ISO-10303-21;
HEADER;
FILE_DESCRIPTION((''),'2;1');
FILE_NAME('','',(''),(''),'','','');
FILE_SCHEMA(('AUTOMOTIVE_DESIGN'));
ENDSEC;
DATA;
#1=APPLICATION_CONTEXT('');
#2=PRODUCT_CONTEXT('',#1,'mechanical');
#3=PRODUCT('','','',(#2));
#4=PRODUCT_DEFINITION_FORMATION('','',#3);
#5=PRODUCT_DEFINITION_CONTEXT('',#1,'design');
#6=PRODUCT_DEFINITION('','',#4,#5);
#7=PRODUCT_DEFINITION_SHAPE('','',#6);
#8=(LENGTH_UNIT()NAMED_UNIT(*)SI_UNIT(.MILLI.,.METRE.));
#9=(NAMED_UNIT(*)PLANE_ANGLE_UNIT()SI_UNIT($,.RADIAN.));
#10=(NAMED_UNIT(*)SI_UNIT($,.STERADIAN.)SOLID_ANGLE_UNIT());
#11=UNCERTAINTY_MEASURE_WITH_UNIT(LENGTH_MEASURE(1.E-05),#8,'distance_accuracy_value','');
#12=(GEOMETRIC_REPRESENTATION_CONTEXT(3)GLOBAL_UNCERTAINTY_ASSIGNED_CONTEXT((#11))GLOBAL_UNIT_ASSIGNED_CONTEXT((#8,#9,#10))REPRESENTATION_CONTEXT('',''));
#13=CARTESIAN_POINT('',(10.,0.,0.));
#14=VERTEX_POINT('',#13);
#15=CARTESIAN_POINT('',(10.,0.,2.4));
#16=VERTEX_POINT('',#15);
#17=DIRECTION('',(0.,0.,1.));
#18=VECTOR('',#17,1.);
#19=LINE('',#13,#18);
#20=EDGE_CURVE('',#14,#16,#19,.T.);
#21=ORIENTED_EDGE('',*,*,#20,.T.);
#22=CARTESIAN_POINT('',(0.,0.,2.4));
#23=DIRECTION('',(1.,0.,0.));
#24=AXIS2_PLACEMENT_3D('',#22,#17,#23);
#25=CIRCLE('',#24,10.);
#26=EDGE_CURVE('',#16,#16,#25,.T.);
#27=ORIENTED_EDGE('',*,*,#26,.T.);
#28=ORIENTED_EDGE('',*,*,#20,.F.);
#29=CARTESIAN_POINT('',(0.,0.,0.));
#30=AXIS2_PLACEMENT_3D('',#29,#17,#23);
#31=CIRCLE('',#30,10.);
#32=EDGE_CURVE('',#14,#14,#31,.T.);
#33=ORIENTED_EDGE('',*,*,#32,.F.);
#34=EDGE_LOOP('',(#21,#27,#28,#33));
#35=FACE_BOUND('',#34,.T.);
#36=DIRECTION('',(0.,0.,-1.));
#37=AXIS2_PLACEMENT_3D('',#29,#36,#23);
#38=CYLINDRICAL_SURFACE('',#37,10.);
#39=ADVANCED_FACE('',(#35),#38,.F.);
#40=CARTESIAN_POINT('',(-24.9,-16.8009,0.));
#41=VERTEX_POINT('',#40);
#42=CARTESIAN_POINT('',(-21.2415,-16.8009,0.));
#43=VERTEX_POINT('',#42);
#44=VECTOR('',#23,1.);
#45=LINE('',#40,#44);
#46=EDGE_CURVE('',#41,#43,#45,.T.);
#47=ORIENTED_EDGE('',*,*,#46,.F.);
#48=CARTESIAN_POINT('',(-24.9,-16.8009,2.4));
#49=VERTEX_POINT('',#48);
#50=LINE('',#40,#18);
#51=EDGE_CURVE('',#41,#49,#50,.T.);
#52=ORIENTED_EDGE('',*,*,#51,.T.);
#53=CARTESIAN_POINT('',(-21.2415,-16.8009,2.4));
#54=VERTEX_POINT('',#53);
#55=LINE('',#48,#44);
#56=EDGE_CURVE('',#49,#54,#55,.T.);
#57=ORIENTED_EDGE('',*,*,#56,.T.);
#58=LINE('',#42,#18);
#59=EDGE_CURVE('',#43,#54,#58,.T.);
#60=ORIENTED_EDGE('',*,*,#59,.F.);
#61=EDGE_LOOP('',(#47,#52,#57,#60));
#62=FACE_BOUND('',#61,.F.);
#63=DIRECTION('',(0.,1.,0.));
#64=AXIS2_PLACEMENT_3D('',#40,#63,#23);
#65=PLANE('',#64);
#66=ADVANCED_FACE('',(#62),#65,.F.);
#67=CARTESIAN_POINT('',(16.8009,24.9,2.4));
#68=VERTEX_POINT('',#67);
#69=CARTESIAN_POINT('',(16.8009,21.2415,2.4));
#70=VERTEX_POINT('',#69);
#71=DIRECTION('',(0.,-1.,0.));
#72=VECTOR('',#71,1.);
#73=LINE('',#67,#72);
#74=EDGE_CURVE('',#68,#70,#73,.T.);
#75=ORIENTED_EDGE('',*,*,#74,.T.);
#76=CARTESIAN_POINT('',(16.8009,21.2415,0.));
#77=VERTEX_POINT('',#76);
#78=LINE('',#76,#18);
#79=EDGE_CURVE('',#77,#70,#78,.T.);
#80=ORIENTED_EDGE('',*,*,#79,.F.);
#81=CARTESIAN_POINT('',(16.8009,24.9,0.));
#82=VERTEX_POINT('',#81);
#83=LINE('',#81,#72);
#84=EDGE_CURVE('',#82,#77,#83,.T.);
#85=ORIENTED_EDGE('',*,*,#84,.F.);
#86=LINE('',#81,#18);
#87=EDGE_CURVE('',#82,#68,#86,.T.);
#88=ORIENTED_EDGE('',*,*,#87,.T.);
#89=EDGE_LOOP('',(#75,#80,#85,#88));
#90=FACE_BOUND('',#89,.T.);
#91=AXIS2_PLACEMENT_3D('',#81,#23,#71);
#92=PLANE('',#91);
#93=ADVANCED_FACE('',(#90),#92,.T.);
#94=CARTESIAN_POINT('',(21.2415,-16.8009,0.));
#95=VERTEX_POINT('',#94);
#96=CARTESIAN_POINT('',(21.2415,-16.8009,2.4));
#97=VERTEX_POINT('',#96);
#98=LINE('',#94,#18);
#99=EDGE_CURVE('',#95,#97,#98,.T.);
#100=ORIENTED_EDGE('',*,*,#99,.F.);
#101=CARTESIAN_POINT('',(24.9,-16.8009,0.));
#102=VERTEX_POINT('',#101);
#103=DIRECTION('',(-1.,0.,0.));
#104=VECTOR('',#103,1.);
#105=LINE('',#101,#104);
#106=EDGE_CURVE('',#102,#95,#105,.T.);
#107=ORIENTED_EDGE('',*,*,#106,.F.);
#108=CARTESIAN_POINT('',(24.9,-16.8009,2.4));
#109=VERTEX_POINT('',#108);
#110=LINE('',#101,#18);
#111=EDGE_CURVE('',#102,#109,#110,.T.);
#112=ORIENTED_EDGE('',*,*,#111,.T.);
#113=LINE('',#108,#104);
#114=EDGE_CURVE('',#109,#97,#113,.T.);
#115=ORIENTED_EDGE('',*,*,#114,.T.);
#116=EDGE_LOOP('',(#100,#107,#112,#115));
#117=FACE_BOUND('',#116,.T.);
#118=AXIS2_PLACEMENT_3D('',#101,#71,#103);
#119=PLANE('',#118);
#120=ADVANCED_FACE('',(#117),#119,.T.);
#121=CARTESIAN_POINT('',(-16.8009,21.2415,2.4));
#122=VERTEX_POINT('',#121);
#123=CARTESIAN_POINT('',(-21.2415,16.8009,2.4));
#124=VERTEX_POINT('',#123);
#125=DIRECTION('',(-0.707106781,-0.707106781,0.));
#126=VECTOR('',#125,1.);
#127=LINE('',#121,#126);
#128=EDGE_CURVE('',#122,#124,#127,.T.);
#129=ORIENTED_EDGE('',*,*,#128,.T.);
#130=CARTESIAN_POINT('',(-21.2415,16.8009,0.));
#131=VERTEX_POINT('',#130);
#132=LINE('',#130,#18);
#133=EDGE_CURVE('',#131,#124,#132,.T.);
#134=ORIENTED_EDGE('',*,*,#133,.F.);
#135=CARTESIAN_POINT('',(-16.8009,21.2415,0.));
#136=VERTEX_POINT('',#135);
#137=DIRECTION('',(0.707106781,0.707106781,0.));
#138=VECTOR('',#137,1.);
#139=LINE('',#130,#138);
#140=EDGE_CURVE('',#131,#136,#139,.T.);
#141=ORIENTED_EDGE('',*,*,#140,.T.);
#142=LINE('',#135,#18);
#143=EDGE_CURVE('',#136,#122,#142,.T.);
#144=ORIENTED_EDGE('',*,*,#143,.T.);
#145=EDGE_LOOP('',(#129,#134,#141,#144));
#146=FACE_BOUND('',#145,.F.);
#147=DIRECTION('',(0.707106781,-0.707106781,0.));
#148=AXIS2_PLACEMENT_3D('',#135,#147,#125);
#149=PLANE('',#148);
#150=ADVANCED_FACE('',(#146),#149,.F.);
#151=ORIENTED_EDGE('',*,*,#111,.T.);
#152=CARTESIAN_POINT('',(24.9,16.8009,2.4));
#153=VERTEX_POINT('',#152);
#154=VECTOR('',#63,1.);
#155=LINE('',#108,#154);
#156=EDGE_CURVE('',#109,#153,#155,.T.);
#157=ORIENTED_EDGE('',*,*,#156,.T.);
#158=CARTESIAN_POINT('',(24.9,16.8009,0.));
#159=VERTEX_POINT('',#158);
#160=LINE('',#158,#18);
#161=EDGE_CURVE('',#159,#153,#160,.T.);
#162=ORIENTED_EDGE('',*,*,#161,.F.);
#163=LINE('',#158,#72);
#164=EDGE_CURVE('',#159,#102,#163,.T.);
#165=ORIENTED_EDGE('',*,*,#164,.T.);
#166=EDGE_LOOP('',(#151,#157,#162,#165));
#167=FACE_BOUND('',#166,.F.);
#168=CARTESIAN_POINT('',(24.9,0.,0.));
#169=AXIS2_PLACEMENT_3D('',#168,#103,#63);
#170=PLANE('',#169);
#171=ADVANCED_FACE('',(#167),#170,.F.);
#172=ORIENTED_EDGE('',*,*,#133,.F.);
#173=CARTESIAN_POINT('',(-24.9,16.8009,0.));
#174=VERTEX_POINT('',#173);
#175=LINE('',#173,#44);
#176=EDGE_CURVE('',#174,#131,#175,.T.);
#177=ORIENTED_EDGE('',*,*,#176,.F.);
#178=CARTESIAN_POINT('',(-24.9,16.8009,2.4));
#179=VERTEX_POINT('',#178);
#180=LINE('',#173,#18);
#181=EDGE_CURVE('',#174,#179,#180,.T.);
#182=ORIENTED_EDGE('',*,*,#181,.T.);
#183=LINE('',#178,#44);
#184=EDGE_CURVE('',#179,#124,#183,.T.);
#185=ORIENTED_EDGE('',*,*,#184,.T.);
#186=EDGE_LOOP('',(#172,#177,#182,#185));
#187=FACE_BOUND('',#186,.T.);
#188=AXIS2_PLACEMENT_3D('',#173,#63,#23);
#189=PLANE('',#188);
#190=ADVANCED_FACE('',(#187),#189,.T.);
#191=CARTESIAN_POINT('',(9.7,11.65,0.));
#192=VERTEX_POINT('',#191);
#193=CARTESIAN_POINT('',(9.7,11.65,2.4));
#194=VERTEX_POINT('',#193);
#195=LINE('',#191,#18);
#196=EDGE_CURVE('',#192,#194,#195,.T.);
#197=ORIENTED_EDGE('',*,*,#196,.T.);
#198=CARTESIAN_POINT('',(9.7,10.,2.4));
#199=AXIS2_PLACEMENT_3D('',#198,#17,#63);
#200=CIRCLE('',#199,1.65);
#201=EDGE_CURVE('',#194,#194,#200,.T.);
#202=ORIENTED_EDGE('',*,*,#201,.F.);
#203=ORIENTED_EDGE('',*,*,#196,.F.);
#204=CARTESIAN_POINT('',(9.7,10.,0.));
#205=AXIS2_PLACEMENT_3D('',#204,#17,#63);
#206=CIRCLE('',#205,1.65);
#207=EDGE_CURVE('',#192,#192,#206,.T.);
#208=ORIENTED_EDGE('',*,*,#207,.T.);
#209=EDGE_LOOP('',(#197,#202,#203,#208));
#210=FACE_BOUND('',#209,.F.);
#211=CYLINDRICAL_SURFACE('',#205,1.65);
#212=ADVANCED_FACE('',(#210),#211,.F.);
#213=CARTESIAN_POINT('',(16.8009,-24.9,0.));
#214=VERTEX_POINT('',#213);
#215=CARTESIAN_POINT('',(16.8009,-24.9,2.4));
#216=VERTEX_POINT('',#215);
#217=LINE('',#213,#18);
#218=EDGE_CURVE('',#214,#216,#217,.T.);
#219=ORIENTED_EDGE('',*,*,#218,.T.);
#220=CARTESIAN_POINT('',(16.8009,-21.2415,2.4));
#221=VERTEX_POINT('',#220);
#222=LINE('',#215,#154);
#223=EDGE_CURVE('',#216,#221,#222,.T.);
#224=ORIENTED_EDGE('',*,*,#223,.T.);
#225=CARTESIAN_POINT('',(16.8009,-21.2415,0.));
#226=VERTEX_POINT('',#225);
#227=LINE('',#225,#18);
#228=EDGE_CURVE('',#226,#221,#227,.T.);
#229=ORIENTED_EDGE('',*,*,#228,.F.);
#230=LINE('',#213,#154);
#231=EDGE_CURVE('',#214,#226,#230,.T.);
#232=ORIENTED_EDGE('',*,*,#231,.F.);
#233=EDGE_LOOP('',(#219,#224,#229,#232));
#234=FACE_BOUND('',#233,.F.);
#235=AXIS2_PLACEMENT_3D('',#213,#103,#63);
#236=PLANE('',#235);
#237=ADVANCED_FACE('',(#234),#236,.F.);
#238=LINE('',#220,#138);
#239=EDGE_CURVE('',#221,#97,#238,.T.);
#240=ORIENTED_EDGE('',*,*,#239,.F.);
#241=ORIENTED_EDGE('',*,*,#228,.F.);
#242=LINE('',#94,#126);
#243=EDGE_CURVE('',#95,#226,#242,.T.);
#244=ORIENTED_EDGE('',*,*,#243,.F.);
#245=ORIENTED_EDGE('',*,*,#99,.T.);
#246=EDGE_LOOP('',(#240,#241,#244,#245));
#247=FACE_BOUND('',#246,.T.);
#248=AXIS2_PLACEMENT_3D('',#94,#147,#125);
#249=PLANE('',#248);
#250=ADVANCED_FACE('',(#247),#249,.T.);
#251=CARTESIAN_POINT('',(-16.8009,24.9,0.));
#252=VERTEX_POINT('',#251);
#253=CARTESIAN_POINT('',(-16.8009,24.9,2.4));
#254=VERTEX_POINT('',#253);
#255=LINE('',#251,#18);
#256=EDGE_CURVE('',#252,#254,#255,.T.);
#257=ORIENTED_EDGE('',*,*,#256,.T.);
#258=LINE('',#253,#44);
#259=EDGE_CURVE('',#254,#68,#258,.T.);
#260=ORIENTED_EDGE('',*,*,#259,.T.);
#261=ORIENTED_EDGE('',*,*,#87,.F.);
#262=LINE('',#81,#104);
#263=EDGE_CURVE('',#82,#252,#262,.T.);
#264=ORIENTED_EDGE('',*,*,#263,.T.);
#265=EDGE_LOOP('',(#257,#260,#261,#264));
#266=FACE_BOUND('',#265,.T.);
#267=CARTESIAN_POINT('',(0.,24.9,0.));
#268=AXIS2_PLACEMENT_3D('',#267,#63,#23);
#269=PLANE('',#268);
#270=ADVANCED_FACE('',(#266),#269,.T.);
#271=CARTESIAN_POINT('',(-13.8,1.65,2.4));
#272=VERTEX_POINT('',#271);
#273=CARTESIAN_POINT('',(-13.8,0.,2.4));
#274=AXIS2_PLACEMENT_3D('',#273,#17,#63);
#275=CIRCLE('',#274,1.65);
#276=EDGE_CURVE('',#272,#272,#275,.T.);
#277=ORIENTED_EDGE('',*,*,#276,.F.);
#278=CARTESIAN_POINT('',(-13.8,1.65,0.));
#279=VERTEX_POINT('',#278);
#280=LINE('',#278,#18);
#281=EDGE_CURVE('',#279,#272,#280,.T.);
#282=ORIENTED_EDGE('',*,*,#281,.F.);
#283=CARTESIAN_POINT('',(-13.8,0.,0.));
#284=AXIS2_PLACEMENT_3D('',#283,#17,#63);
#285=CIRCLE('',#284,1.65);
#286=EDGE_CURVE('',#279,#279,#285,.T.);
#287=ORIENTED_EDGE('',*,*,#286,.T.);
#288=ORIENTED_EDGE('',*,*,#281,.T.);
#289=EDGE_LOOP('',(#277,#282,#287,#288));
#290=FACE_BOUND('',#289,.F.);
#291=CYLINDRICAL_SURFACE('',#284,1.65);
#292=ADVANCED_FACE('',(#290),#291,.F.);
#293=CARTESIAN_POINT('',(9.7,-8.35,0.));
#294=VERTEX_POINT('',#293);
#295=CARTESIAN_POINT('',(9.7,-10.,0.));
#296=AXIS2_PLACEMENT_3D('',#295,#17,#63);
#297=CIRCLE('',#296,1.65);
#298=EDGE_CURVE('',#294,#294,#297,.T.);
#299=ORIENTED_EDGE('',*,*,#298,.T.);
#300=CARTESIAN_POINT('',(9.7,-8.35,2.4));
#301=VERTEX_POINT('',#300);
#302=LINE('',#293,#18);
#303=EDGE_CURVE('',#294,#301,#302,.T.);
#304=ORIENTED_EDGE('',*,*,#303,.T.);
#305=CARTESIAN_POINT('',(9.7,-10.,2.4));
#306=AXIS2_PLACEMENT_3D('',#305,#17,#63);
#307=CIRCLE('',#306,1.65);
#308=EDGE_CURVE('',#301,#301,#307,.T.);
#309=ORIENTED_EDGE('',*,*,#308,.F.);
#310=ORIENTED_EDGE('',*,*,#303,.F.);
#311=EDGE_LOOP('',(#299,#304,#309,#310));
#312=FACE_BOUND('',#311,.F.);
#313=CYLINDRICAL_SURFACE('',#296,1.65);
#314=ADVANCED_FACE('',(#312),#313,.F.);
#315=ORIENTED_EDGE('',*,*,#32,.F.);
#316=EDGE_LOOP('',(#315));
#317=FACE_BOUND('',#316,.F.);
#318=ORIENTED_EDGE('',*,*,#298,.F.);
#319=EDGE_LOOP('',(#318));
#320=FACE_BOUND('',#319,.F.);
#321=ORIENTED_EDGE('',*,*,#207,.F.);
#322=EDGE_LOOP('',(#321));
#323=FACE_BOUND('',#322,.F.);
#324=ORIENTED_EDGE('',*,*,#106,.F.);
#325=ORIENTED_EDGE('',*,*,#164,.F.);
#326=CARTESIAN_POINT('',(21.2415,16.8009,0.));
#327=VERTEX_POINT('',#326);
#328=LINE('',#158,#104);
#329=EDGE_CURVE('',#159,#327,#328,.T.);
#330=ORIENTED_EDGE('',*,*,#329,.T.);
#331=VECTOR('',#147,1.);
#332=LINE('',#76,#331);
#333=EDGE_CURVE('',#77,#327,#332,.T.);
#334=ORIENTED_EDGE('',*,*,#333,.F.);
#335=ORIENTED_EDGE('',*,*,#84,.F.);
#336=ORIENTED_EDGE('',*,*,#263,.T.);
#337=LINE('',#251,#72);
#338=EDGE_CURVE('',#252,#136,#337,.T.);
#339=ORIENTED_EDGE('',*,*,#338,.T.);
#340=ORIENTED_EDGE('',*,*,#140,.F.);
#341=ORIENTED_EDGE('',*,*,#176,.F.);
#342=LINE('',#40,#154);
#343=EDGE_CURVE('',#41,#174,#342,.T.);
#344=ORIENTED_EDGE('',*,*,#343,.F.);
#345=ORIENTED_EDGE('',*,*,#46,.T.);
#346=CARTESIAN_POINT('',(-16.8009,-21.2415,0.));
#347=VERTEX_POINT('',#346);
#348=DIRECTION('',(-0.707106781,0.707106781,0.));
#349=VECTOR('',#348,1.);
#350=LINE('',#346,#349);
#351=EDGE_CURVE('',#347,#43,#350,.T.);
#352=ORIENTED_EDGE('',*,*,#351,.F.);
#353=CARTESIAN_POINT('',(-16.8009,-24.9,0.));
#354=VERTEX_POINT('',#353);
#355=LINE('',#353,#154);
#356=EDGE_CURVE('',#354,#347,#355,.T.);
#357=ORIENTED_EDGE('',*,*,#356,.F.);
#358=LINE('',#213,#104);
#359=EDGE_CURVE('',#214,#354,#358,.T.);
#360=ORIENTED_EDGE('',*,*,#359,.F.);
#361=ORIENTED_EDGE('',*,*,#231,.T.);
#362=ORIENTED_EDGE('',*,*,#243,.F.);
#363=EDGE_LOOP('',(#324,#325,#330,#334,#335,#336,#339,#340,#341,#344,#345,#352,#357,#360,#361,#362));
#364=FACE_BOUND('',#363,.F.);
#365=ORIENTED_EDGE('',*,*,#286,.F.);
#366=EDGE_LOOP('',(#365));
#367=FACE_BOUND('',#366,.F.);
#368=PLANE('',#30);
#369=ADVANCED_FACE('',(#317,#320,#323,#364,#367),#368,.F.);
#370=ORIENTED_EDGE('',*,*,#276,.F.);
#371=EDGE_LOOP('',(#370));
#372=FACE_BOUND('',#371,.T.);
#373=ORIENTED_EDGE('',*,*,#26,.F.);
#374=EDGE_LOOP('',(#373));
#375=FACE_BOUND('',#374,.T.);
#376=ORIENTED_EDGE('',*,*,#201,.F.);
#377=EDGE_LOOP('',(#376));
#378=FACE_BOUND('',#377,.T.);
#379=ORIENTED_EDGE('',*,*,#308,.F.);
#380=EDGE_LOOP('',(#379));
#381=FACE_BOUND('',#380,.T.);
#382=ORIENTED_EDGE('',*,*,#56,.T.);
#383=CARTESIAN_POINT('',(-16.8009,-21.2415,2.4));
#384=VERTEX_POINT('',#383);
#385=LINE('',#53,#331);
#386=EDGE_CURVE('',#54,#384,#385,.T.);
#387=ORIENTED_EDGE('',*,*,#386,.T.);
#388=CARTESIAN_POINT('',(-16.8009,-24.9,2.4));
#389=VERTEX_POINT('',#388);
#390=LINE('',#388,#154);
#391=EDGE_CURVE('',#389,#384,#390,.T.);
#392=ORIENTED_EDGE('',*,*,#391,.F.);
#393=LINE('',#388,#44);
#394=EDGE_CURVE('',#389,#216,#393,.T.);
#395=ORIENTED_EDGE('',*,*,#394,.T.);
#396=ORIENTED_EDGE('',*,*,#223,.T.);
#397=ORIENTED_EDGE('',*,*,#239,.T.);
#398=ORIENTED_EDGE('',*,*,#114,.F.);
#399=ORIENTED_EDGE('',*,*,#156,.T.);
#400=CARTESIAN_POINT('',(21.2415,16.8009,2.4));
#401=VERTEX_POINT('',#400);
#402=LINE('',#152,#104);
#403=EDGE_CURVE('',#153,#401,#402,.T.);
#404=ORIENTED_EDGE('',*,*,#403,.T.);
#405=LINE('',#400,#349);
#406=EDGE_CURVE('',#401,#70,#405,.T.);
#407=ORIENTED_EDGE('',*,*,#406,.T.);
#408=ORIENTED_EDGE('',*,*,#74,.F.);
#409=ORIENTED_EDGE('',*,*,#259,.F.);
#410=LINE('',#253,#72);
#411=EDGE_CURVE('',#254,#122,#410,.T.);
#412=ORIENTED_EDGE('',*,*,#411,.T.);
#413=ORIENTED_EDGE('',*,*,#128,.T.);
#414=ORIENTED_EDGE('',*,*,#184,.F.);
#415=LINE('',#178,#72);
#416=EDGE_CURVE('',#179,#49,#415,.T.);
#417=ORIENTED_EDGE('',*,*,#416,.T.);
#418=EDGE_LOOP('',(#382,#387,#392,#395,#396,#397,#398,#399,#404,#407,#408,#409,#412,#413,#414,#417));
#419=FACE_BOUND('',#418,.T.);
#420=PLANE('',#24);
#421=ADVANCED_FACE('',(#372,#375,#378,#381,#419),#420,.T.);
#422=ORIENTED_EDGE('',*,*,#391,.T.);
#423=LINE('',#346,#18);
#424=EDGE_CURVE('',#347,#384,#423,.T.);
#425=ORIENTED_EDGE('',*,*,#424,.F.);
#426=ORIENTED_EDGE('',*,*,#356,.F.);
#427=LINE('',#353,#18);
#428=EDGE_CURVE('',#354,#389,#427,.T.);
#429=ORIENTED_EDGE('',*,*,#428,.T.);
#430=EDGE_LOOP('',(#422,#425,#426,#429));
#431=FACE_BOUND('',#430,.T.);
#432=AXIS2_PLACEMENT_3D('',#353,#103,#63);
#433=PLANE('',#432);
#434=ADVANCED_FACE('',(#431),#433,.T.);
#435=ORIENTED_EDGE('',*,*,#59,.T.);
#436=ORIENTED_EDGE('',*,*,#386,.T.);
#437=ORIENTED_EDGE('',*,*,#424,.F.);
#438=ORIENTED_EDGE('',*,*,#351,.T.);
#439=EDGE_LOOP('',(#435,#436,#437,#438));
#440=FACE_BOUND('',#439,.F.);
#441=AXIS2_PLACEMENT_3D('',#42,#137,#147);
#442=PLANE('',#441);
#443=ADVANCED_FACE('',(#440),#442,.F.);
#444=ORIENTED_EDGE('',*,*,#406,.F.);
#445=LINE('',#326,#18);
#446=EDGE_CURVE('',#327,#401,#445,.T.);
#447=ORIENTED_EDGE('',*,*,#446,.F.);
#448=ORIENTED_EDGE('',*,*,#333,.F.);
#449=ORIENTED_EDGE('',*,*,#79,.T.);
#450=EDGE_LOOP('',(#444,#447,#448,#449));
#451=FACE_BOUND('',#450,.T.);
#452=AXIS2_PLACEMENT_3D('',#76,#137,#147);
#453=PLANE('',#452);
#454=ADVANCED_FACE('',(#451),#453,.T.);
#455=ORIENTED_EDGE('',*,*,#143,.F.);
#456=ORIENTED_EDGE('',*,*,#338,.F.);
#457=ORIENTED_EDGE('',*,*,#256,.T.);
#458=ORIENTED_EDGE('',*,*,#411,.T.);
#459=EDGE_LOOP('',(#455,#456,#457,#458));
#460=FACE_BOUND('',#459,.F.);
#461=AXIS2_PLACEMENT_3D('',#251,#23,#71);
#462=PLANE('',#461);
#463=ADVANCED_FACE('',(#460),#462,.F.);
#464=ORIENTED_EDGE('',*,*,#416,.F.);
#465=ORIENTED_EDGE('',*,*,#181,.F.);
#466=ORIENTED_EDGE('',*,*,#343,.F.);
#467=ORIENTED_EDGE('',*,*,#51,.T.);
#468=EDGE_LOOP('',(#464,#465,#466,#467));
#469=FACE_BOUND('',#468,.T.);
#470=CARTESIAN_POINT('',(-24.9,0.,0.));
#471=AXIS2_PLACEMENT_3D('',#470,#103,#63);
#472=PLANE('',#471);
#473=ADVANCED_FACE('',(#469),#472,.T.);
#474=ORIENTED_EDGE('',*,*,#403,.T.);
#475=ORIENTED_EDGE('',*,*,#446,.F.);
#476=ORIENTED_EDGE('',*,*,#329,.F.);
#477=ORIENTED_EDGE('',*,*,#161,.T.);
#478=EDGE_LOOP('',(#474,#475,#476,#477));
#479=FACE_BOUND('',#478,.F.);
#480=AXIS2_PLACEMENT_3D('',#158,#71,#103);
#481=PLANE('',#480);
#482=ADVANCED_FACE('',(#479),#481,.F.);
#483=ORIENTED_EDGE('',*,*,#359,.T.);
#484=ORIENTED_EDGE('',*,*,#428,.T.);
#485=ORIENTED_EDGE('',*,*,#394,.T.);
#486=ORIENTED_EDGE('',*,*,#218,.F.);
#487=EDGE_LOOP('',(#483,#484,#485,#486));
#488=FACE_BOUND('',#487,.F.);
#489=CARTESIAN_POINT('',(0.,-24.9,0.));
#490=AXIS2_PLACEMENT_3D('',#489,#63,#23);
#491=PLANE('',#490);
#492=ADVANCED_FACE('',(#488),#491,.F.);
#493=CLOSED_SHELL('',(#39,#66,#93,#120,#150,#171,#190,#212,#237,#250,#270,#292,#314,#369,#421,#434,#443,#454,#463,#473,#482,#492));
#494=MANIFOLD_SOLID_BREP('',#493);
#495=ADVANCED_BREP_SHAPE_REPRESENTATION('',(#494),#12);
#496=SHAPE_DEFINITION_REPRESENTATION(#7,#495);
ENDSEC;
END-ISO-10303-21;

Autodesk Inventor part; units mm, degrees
ref_plane "YZ Plane" through (0, 0, 0) normal (1, 0, 0) x (0, 1, 0)
ref_plane "XZ Plane" through (0, 0, 0) normal (0, 1, 0) x (-1, 0, 0)
ref_plane "Work Plane1" through (-29.1, -14.5, 2.4) normal (0, 0, -1) x (0, 1, 0)
sketch "Sketch1" plane through (0, 0, 0) normal (0, 0, 1) x (1, 0, 0)
  line L0 (-34.86, 0) -> (34.86, 0) construction
  line L1 (0, -34.86) -> (0, 34.86) construction
  line L2 (0, 0) -> (11.1575, 11.1575) construction
  line L3 (0, 0) -> (15.7791, 0) construction
  line L4 (0, 24.9) -> (16.8009, 24.9)
  line L5 (16.8009, 24.9) -> (16.8009, 21.2415)
  line L6 (16.8009, 21.2415) -> (19.0212, 19.0212)
  line L7 (24.9, 0) -> (24.9, 16.8009)
  line L8 (24.9, 16.8009) -> (21.2415, 16.8009)
  line L9 (21.2415, 16.8009) -> (19.0212, 19.0212)
  line L10 (0, -24.9) -> (16.8009, -24.9)
  line L11 (16.8009, -24.9) -> (16.8009, -21.2415)
  line L12 (16.8009, -21.2415) -> (19.0212, -19.0212)
  line L13 (24.9, 0) -> (24.9, -16.8009)
  line L14 (24.9, -16.8009) -> (21.2415, -16.8009)
  line L15 (21.2415, -16.8009) -> (19.0212, -19.0212)
  line L16 (0, 24.9) -> (-16.8009, 24.9)
  line L17 (-16.8009, 24.9) -> (-16.8009, 21.2415)
  line L18 (-16.8009, 21.2415) -> (-19.0212, 19.0212)
  line L19 (-24.9, 16.8009) -> (-21.2415, 16.8009)
  line L20 (-21.2415, 16.8009) -> (-19.0212, 19.0212)
  line L21 (0, -24.9) -> (-16.8009, -24.9)
  line L22 (-16.8009, -24.9) -> (-16.8009, -21.2415)
  line L23 (-16.8009, -21.2415) -> (-19.0212, -19.0212)
  line L24 (-21.2415, -16.8009) -> (-19.0212, -19.0212)
  line L25 (-24.9, -16.8009) -> (-21.2415, -16.8009)
  line L26 (-24.9, 0) -> (-24.9, -16.8009)
  line L27 (-24.9, 0) -> (-24.9, 16.8009)
  circle A0 centre (0, 0) radius 10
  dimension "d0" = 45
  dimension "d2" = 24.9
  dimension "d3" = 3.14
  dimension "d4" = 26.9
  dimension "d5" = 20
extrude "Extrusion1" add sketch "Sketch1" along normal up to surface (2.4 mm away)
sketch "Sketch5" plane through (0, 0, 0) normal (0, 0, -1) x (-1, 0, 0)
  circle A0 centre (-9.7, 10) radius 1.4
  circle A1 centre (-9.7, -10) radius 1.4
  circle A2 centre (13.8, 0) radius 1.4
  point P0 (0, 0)
hole "Hole1" at (9.7, 10, 0) at (-13.8, 0, 0) at (9.7, -10, 0) direction (0, 0, 1) diameter 3.3 depth 12 tip angle 118
properties part number "20_Cube_insert_Sample_holder"
